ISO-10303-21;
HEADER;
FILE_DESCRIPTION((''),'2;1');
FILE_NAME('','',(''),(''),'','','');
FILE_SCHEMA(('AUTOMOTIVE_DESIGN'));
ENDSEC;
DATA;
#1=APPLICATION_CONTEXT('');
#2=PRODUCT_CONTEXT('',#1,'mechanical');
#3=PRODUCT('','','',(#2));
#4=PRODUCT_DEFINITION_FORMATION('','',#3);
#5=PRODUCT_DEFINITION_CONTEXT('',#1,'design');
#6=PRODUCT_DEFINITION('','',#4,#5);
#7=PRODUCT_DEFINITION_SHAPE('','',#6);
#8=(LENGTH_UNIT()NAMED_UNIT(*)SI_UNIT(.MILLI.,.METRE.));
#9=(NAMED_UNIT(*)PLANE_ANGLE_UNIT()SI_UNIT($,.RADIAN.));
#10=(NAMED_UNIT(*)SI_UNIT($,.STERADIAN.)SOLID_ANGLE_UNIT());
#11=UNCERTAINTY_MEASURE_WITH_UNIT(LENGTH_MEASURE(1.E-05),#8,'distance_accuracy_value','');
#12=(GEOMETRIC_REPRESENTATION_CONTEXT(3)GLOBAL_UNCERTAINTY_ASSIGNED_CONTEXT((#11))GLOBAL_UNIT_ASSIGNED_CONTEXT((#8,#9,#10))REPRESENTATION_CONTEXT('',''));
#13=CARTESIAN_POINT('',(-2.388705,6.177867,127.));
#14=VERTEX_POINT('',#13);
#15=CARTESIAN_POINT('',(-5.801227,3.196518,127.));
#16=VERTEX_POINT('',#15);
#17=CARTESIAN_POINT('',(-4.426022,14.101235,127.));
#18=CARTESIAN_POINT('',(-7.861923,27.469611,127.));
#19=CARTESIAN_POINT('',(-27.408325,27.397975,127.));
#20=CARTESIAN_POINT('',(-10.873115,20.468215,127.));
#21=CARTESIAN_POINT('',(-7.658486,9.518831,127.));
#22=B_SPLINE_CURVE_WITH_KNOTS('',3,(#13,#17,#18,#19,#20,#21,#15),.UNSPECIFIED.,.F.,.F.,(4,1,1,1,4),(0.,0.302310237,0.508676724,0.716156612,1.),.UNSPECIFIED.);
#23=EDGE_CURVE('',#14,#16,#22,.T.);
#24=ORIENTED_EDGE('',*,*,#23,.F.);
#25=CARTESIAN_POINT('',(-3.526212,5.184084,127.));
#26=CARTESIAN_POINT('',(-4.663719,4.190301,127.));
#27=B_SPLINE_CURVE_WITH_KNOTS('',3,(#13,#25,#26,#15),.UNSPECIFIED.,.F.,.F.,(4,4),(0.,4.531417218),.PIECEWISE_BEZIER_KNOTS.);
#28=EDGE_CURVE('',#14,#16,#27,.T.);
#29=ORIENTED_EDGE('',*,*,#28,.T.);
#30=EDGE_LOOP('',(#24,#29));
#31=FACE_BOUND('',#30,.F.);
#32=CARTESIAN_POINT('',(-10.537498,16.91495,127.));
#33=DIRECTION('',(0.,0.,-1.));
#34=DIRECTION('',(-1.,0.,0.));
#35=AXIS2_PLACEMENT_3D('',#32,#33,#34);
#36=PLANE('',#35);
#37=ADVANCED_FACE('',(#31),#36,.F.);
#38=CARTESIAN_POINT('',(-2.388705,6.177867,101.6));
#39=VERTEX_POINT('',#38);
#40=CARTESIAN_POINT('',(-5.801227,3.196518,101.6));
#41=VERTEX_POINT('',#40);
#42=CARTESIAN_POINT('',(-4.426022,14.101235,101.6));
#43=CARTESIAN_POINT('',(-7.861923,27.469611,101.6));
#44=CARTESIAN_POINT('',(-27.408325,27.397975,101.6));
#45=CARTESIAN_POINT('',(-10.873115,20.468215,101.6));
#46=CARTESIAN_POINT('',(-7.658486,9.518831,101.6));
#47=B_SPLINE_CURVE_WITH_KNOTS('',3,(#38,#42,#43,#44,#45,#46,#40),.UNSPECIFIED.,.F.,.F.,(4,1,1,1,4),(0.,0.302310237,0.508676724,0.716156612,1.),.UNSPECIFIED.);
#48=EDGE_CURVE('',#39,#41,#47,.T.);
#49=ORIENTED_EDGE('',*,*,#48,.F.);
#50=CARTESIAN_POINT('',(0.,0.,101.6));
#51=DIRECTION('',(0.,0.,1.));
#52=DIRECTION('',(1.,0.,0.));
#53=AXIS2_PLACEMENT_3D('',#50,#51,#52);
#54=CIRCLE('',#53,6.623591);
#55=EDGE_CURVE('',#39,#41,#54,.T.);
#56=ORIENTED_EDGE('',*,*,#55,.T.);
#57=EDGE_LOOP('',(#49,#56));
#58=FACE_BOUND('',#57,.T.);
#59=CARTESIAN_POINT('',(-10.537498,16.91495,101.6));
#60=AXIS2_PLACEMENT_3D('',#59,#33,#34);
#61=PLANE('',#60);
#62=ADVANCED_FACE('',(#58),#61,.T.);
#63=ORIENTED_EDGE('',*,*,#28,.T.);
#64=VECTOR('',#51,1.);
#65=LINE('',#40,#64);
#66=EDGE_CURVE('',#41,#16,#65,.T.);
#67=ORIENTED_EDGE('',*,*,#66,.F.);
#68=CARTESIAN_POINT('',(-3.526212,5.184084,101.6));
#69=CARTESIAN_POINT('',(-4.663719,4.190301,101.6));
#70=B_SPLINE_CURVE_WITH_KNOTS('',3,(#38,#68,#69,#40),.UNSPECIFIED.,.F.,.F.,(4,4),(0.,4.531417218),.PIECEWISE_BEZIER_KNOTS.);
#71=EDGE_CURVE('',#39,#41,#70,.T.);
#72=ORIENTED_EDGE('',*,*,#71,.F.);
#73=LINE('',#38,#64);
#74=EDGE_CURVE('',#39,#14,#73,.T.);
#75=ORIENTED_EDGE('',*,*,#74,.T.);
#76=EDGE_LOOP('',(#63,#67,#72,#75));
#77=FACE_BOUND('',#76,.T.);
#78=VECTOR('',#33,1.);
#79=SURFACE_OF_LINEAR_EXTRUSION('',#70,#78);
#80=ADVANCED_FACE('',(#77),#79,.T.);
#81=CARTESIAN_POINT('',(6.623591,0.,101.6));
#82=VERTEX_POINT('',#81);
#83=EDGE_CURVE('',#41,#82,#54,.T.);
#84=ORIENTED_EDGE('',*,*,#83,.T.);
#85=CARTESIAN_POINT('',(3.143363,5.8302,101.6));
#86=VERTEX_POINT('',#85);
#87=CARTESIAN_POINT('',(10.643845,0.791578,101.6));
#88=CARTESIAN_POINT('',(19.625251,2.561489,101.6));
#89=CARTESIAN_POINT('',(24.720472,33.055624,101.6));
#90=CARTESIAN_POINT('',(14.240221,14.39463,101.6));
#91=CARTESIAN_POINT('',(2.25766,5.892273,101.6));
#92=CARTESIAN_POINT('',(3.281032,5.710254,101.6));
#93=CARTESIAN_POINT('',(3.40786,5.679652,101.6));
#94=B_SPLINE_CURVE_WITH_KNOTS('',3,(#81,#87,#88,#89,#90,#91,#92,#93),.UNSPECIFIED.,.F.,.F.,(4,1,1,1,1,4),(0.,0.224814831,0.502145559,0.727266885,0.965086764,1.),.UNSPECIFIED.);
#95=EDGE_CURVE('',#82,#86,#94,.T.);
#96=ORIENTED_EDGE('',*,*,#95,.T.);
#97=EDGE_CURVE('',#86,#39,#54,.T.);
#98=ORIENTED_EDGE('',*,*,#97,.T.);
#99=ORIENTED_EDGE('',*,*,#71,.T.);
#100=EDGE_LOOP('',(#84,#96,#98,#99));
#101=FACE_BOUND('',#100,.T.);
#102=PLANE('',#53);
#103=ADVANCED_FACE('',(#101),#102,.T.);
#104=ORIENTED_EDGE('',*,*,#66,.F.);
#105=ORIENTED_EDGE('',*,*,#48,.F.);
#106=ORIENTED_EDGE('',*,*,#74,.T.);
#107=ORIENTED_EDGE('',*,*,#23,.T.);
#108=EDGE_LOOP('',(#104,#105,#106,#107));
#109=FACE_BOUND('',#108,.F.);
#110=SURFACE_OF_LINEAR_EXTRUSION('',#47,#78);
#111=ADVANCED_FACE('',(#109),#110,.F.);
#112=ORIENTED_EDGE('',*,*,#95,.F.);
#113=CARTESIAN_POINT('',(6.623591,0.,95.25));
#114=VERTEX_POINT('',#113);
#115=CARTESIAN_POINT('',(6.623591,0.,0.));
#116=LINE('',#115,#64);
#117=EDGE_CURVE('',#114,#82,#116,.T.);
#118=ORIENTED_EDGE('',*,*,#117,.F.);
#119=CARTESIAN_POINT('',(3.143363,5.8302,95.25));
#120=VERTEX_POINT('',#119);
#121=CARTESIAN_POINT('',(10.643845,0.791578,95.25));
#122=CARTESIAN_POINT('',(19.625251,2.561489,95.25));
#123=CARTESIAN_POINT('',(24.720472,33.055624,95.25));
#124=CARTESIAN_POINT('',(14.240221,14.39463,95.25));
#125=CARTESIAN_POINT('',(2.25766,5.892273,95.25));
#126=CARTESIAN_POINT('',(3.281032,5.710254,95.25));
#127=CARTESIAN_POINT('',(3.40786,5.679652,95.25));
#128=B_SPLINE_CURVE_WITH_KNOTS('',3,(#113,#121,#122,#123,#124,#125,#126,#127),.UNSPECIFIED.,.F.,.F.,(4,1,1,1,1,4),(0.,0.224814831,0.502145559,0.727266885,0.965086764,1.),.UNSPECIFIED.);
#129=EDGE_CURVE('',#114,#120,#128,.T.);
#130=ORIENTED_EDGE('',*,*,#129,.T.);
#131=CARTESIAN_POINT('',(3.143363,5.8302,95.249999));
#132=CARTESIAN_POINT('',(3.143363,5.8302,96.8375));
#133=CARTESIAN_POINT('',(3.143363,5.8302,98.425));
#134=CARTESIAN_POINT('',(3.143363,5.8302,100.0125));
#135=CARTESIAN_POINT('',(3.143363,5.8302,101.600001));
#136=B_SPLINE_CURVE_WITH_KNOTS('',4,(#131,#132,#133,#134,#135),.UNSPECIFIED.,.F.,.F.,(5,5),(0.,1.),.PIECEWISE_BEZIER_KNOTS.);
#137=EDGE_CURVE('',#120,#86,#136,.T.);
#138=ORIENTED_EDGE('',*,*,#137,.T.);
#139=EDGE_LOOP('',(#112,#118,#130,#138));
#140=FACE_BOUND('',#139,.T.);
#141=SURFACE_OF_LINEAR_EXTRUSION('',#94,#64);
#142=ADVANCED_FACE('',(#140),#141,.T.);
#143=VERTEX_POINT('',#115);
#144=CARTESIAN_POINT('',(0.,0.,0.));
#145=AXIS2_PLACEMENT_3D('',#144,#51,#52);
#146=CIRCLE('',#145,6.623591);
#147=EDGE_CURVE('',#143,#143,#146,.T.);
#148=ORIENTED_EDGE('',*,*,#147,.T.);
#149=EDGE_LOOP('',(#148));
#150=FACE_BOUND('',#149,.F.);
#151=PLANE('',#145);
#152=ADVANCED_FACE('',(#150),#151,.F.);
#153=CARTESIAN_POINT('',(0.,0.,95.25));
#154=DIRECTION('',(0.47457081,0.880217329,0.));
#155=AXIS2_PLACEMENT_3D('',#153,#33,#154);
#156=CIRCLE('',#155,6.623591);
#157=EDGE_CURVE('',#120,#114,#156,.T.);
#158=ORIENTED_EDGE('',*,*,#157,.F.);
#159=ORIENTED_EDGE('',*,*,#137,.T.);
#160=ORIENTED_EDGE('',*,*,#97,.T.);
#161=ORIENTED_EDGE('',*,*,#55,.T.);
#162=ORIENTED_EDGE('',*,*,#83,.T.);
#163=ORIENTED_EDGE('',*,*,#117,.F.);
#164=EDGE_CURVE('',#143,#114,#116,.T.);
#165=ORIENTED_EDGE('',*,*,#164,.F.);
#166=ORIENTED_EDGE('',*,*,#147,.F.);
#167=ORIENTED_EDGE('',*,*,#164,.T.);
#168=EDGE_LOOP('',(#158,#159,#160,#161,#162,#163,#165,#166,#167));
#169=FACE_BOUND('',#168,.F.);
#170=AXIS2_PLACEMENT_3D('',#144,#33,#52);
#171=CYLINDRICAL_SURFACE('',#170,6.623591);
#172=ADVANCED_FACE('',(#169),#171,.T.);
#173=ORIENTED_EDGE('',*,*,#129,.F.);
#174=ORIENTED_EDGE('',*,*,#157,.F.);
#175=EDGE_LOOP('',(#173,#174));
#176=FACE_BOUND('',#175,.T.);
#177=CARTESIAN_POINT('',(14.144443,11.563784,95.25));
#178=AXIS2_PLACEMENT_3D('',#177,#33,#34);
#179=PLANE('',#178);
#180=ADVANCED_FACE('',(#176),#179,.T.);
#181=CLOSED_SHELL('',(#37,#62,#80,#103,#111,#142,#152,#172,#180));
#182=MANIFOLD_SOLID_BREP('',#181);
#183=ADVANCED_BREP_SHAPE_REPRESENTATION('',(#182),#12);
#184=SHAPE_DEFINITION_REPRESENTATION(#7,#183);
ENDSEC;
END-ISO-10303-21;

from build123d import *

# Parameters (mm, degrees)
F0_R     = 6.6235911541
F1_DEPTH = 101.6
F3_DEPTH = 6.35
F5_DEPTH = 25.4


with BuildPart() as f1:
    # F0 (on Top) → F1 (new body)
    with BuildSketch(Plane.XY):
        Circle(F0_R)
    extrude(amount=F1_DEPTH)

    # F2 (on face) → F3 (join)
    with BuildSketch(Plane.XY.offset(101.6)):
        with BuildLine():
            add(Edge.make_bspline(
                [(6.6235911541, 0), (5.551680706, 1.8932174639), (4.479770258, 3.7864349279), (3.4078598099, 5.6796523918)],
                knots=[0, 0, 0, 0, 6.5268200044, 6.5268200044, 6.5268200044, 6.5268200044], degree=3))
            add(Edge.make_bspline(
                [(6.6235911541, 0), (10.6438451154, 0.791578321), (19.6252509449, 2.5614891614), (24.720472144, 33.055623675), (14.2402206799, 14.3946295862), (2.2576603735, 5.8922725708), (3.2810318143, 5.7102540128), (3.4078598099, 5.6796523918)],
                knots=[0, 0, 0, 0, 0.2248148306, 0.5021455592, 0.7272668847, 0.9650867645, 1, 1, 1, 1], degree=3))
        make_face()
    extrude(amount=-F3_DEPTH)

    # F4 (on face) → F5 (join)
    with BuildSketch(Plane.XY.offset(101.6)):
        with BuildLine():
            add(Edge.make_bspline(
                [(-2.3887054213, 6.1778674465), (-3.5262124604, 5.1840844593), (-4.6637194994, 4.1903014722), (-5.8012265385, 3.196518485)],
                knots=[0, 0, 0, 0, 4.5314172183, 4.5314172183, 4.5314172183, 4.5314172183], degree=3))
            add(Edge.make_bspline(
                [(-2.3887054213, 6.1778674465), (-4.426021623, 14.1012351506), (-7.8619234541, 27.4696107491), (-27.4083253283, 27.3979748293), (-10.8731149842, 20.4682153567), (-7.6584856542, 9.5188311305), (-5.8012265385, 3.196518485)],
                knots=[0, 0, 0, 0, 0.3023102368, 0.5086767242, 0.7161566123, 1, 1, 1, 1], degree=3))
        make_face()
    extrude(amount=F5_DEPTH)


solid = f1.part
